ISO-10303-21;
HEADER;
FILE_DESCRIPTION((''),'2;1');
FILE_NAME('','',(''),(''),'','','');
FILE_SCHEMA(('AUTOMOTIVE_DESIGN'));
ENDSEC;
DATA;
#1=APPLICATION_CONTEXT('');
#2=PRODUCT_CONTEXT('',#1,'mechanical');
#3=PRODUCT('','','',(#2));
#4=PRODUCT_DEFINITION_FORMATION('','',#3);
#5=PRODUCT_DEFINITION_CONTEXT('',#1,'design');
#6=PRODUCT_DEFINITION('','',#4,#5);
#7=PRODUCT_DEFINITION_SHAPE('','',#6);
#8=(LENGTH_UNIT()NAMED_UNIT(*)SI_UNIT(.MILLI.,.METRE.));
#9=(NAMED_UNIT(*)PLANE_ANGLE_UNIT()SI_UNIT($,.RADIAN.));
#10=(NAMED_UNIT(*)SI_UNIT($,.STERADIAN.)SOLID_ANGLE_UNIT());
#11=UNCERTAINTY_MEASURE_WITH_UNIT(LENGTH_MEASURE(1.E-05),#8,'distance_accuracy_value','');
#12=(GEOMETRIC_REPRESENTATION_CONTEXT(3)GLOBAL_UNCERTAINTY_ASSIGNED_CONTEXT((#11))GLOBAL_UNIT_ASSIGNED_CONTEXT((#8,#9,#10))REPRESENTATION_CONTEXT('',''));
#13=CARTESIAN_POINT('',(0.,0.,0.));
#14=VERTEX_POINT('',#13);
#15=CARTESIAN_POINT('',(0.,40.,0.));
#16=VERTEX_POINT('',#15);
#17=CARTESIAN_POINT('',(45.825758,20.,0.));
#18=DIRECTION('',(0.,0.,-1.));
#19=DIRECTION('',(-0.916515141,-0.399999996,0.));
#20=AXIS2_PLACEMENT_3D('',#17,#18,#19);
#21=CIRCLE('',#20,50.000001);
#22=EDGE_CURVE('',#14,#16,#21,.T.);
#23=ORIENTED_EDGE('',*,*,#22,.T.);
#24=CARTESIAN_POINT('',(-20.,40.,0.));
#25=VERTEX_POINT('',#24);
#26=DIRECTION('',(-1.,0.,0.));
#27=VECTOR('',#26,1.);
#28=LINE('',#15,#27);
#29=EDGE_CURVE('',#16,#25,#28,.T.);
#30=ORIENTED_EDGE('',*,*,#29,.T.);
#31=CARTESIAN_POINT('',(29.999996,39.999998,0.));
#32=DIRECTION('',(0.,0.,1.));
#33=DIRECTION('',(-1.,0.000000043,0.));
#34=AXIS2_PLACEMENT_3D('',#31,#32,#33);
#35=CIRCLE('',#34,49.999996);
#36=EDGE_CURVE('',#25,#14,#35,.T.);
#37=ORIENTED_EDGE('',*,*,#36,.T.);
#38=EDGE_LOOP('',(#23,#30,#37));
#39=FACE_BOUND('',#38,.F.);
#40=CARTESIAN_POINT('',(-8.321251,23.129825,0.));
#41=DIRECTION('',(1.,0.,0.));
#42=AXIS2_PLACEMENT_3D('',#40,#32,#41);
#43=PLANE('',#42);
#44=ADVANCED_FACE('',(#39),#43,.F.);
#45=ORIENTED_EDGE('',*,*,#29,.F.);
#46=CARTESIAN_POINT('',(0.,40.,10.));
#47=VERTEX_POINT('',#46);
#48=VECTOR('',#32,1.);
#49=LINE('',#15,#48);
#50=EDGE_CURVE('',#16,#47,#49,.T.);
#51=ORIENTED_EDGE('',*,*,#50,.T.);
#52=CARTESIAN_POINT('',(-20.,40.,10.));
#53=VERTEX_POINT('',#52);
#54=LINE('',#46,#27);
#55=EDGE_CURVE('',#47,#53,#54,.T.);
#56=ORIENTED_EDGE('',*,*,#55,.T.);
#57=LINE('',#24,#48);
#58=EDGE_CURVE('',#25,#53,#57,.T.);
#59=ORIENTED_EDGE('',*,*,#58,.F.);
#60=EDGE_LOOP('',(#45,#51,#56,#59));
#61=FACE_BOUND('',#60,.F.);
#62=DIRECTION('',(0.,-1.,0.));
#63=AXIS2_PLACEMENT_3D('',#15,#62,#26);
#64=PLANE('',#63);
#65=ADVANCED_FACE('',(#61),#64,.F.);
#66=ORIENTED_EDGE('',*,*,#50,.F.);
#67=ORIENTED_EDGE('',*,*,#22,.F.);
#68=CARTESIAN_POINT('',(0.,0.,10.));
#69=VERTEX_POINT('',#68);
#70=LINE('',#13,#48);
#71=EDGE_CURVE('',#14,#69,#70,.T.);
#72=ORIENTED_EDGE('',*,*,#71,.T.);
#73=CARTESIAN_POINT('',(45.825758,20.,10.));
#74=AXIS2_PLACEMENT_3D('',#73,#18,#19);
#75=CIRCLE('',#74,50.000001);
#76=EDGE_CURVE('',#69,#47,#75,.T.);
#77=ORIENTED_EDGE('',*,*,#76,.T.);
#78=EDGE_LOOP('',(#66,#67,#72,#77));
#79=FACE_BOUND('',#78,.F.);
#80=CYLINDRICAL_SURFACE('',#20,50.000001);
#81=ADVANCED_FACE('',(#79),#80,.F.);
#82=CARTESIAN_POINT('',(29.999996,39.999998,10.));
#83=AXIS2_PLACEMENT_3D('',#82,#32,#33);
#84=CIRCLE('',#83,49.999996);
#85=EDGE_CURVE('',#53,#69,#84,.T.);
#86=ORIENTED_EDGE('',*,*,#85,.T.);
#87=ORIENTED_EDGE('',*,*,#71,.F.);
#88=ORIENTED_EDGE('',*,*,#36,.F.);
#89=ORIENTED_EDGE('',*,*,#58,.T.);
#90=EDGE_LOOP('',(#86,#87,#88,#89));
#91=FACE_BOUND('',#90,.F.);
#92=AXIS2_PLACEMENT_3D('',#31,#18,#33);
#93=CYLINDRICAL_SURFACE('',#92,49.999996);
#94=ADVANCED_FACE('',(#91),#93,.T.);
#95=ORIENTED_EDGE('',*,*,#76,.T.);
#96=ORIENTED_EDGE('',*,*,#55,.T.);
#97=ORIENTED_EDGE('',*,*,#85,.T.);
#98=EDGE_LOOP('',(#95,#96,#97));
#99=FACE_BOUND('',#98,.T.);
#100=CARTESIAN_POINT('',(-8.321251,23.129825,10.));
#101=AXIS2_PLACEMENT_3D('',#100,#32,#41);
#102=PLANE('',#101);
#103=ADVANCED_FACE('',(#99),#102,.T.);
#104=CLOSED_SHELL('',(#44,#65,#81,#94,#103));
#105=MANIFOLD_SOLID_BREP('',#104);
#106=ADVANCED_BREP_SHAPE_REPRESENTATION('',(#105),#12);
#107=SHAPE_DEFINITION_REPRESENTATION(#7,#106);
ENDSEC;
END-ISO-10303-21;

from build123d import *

# Parameters (mm, degrees)
F1_DEPTH = 10


with BuildPart() as f1:
    # F0 (on Top) → F1 (new body)
    with BuildSketch(Plane.XY):
        with BuildLine():
            ThreePointArc((0, 0), (-4.174243, 20), (0, 40))
            Line((0, 40), (-20, 40))
            ThreePointArc((-20, 40), (-14.72136, 17.63932), (0, 0))
        make_face()
    extrude(amount=F1_DEPTH)


solid = f1.part
